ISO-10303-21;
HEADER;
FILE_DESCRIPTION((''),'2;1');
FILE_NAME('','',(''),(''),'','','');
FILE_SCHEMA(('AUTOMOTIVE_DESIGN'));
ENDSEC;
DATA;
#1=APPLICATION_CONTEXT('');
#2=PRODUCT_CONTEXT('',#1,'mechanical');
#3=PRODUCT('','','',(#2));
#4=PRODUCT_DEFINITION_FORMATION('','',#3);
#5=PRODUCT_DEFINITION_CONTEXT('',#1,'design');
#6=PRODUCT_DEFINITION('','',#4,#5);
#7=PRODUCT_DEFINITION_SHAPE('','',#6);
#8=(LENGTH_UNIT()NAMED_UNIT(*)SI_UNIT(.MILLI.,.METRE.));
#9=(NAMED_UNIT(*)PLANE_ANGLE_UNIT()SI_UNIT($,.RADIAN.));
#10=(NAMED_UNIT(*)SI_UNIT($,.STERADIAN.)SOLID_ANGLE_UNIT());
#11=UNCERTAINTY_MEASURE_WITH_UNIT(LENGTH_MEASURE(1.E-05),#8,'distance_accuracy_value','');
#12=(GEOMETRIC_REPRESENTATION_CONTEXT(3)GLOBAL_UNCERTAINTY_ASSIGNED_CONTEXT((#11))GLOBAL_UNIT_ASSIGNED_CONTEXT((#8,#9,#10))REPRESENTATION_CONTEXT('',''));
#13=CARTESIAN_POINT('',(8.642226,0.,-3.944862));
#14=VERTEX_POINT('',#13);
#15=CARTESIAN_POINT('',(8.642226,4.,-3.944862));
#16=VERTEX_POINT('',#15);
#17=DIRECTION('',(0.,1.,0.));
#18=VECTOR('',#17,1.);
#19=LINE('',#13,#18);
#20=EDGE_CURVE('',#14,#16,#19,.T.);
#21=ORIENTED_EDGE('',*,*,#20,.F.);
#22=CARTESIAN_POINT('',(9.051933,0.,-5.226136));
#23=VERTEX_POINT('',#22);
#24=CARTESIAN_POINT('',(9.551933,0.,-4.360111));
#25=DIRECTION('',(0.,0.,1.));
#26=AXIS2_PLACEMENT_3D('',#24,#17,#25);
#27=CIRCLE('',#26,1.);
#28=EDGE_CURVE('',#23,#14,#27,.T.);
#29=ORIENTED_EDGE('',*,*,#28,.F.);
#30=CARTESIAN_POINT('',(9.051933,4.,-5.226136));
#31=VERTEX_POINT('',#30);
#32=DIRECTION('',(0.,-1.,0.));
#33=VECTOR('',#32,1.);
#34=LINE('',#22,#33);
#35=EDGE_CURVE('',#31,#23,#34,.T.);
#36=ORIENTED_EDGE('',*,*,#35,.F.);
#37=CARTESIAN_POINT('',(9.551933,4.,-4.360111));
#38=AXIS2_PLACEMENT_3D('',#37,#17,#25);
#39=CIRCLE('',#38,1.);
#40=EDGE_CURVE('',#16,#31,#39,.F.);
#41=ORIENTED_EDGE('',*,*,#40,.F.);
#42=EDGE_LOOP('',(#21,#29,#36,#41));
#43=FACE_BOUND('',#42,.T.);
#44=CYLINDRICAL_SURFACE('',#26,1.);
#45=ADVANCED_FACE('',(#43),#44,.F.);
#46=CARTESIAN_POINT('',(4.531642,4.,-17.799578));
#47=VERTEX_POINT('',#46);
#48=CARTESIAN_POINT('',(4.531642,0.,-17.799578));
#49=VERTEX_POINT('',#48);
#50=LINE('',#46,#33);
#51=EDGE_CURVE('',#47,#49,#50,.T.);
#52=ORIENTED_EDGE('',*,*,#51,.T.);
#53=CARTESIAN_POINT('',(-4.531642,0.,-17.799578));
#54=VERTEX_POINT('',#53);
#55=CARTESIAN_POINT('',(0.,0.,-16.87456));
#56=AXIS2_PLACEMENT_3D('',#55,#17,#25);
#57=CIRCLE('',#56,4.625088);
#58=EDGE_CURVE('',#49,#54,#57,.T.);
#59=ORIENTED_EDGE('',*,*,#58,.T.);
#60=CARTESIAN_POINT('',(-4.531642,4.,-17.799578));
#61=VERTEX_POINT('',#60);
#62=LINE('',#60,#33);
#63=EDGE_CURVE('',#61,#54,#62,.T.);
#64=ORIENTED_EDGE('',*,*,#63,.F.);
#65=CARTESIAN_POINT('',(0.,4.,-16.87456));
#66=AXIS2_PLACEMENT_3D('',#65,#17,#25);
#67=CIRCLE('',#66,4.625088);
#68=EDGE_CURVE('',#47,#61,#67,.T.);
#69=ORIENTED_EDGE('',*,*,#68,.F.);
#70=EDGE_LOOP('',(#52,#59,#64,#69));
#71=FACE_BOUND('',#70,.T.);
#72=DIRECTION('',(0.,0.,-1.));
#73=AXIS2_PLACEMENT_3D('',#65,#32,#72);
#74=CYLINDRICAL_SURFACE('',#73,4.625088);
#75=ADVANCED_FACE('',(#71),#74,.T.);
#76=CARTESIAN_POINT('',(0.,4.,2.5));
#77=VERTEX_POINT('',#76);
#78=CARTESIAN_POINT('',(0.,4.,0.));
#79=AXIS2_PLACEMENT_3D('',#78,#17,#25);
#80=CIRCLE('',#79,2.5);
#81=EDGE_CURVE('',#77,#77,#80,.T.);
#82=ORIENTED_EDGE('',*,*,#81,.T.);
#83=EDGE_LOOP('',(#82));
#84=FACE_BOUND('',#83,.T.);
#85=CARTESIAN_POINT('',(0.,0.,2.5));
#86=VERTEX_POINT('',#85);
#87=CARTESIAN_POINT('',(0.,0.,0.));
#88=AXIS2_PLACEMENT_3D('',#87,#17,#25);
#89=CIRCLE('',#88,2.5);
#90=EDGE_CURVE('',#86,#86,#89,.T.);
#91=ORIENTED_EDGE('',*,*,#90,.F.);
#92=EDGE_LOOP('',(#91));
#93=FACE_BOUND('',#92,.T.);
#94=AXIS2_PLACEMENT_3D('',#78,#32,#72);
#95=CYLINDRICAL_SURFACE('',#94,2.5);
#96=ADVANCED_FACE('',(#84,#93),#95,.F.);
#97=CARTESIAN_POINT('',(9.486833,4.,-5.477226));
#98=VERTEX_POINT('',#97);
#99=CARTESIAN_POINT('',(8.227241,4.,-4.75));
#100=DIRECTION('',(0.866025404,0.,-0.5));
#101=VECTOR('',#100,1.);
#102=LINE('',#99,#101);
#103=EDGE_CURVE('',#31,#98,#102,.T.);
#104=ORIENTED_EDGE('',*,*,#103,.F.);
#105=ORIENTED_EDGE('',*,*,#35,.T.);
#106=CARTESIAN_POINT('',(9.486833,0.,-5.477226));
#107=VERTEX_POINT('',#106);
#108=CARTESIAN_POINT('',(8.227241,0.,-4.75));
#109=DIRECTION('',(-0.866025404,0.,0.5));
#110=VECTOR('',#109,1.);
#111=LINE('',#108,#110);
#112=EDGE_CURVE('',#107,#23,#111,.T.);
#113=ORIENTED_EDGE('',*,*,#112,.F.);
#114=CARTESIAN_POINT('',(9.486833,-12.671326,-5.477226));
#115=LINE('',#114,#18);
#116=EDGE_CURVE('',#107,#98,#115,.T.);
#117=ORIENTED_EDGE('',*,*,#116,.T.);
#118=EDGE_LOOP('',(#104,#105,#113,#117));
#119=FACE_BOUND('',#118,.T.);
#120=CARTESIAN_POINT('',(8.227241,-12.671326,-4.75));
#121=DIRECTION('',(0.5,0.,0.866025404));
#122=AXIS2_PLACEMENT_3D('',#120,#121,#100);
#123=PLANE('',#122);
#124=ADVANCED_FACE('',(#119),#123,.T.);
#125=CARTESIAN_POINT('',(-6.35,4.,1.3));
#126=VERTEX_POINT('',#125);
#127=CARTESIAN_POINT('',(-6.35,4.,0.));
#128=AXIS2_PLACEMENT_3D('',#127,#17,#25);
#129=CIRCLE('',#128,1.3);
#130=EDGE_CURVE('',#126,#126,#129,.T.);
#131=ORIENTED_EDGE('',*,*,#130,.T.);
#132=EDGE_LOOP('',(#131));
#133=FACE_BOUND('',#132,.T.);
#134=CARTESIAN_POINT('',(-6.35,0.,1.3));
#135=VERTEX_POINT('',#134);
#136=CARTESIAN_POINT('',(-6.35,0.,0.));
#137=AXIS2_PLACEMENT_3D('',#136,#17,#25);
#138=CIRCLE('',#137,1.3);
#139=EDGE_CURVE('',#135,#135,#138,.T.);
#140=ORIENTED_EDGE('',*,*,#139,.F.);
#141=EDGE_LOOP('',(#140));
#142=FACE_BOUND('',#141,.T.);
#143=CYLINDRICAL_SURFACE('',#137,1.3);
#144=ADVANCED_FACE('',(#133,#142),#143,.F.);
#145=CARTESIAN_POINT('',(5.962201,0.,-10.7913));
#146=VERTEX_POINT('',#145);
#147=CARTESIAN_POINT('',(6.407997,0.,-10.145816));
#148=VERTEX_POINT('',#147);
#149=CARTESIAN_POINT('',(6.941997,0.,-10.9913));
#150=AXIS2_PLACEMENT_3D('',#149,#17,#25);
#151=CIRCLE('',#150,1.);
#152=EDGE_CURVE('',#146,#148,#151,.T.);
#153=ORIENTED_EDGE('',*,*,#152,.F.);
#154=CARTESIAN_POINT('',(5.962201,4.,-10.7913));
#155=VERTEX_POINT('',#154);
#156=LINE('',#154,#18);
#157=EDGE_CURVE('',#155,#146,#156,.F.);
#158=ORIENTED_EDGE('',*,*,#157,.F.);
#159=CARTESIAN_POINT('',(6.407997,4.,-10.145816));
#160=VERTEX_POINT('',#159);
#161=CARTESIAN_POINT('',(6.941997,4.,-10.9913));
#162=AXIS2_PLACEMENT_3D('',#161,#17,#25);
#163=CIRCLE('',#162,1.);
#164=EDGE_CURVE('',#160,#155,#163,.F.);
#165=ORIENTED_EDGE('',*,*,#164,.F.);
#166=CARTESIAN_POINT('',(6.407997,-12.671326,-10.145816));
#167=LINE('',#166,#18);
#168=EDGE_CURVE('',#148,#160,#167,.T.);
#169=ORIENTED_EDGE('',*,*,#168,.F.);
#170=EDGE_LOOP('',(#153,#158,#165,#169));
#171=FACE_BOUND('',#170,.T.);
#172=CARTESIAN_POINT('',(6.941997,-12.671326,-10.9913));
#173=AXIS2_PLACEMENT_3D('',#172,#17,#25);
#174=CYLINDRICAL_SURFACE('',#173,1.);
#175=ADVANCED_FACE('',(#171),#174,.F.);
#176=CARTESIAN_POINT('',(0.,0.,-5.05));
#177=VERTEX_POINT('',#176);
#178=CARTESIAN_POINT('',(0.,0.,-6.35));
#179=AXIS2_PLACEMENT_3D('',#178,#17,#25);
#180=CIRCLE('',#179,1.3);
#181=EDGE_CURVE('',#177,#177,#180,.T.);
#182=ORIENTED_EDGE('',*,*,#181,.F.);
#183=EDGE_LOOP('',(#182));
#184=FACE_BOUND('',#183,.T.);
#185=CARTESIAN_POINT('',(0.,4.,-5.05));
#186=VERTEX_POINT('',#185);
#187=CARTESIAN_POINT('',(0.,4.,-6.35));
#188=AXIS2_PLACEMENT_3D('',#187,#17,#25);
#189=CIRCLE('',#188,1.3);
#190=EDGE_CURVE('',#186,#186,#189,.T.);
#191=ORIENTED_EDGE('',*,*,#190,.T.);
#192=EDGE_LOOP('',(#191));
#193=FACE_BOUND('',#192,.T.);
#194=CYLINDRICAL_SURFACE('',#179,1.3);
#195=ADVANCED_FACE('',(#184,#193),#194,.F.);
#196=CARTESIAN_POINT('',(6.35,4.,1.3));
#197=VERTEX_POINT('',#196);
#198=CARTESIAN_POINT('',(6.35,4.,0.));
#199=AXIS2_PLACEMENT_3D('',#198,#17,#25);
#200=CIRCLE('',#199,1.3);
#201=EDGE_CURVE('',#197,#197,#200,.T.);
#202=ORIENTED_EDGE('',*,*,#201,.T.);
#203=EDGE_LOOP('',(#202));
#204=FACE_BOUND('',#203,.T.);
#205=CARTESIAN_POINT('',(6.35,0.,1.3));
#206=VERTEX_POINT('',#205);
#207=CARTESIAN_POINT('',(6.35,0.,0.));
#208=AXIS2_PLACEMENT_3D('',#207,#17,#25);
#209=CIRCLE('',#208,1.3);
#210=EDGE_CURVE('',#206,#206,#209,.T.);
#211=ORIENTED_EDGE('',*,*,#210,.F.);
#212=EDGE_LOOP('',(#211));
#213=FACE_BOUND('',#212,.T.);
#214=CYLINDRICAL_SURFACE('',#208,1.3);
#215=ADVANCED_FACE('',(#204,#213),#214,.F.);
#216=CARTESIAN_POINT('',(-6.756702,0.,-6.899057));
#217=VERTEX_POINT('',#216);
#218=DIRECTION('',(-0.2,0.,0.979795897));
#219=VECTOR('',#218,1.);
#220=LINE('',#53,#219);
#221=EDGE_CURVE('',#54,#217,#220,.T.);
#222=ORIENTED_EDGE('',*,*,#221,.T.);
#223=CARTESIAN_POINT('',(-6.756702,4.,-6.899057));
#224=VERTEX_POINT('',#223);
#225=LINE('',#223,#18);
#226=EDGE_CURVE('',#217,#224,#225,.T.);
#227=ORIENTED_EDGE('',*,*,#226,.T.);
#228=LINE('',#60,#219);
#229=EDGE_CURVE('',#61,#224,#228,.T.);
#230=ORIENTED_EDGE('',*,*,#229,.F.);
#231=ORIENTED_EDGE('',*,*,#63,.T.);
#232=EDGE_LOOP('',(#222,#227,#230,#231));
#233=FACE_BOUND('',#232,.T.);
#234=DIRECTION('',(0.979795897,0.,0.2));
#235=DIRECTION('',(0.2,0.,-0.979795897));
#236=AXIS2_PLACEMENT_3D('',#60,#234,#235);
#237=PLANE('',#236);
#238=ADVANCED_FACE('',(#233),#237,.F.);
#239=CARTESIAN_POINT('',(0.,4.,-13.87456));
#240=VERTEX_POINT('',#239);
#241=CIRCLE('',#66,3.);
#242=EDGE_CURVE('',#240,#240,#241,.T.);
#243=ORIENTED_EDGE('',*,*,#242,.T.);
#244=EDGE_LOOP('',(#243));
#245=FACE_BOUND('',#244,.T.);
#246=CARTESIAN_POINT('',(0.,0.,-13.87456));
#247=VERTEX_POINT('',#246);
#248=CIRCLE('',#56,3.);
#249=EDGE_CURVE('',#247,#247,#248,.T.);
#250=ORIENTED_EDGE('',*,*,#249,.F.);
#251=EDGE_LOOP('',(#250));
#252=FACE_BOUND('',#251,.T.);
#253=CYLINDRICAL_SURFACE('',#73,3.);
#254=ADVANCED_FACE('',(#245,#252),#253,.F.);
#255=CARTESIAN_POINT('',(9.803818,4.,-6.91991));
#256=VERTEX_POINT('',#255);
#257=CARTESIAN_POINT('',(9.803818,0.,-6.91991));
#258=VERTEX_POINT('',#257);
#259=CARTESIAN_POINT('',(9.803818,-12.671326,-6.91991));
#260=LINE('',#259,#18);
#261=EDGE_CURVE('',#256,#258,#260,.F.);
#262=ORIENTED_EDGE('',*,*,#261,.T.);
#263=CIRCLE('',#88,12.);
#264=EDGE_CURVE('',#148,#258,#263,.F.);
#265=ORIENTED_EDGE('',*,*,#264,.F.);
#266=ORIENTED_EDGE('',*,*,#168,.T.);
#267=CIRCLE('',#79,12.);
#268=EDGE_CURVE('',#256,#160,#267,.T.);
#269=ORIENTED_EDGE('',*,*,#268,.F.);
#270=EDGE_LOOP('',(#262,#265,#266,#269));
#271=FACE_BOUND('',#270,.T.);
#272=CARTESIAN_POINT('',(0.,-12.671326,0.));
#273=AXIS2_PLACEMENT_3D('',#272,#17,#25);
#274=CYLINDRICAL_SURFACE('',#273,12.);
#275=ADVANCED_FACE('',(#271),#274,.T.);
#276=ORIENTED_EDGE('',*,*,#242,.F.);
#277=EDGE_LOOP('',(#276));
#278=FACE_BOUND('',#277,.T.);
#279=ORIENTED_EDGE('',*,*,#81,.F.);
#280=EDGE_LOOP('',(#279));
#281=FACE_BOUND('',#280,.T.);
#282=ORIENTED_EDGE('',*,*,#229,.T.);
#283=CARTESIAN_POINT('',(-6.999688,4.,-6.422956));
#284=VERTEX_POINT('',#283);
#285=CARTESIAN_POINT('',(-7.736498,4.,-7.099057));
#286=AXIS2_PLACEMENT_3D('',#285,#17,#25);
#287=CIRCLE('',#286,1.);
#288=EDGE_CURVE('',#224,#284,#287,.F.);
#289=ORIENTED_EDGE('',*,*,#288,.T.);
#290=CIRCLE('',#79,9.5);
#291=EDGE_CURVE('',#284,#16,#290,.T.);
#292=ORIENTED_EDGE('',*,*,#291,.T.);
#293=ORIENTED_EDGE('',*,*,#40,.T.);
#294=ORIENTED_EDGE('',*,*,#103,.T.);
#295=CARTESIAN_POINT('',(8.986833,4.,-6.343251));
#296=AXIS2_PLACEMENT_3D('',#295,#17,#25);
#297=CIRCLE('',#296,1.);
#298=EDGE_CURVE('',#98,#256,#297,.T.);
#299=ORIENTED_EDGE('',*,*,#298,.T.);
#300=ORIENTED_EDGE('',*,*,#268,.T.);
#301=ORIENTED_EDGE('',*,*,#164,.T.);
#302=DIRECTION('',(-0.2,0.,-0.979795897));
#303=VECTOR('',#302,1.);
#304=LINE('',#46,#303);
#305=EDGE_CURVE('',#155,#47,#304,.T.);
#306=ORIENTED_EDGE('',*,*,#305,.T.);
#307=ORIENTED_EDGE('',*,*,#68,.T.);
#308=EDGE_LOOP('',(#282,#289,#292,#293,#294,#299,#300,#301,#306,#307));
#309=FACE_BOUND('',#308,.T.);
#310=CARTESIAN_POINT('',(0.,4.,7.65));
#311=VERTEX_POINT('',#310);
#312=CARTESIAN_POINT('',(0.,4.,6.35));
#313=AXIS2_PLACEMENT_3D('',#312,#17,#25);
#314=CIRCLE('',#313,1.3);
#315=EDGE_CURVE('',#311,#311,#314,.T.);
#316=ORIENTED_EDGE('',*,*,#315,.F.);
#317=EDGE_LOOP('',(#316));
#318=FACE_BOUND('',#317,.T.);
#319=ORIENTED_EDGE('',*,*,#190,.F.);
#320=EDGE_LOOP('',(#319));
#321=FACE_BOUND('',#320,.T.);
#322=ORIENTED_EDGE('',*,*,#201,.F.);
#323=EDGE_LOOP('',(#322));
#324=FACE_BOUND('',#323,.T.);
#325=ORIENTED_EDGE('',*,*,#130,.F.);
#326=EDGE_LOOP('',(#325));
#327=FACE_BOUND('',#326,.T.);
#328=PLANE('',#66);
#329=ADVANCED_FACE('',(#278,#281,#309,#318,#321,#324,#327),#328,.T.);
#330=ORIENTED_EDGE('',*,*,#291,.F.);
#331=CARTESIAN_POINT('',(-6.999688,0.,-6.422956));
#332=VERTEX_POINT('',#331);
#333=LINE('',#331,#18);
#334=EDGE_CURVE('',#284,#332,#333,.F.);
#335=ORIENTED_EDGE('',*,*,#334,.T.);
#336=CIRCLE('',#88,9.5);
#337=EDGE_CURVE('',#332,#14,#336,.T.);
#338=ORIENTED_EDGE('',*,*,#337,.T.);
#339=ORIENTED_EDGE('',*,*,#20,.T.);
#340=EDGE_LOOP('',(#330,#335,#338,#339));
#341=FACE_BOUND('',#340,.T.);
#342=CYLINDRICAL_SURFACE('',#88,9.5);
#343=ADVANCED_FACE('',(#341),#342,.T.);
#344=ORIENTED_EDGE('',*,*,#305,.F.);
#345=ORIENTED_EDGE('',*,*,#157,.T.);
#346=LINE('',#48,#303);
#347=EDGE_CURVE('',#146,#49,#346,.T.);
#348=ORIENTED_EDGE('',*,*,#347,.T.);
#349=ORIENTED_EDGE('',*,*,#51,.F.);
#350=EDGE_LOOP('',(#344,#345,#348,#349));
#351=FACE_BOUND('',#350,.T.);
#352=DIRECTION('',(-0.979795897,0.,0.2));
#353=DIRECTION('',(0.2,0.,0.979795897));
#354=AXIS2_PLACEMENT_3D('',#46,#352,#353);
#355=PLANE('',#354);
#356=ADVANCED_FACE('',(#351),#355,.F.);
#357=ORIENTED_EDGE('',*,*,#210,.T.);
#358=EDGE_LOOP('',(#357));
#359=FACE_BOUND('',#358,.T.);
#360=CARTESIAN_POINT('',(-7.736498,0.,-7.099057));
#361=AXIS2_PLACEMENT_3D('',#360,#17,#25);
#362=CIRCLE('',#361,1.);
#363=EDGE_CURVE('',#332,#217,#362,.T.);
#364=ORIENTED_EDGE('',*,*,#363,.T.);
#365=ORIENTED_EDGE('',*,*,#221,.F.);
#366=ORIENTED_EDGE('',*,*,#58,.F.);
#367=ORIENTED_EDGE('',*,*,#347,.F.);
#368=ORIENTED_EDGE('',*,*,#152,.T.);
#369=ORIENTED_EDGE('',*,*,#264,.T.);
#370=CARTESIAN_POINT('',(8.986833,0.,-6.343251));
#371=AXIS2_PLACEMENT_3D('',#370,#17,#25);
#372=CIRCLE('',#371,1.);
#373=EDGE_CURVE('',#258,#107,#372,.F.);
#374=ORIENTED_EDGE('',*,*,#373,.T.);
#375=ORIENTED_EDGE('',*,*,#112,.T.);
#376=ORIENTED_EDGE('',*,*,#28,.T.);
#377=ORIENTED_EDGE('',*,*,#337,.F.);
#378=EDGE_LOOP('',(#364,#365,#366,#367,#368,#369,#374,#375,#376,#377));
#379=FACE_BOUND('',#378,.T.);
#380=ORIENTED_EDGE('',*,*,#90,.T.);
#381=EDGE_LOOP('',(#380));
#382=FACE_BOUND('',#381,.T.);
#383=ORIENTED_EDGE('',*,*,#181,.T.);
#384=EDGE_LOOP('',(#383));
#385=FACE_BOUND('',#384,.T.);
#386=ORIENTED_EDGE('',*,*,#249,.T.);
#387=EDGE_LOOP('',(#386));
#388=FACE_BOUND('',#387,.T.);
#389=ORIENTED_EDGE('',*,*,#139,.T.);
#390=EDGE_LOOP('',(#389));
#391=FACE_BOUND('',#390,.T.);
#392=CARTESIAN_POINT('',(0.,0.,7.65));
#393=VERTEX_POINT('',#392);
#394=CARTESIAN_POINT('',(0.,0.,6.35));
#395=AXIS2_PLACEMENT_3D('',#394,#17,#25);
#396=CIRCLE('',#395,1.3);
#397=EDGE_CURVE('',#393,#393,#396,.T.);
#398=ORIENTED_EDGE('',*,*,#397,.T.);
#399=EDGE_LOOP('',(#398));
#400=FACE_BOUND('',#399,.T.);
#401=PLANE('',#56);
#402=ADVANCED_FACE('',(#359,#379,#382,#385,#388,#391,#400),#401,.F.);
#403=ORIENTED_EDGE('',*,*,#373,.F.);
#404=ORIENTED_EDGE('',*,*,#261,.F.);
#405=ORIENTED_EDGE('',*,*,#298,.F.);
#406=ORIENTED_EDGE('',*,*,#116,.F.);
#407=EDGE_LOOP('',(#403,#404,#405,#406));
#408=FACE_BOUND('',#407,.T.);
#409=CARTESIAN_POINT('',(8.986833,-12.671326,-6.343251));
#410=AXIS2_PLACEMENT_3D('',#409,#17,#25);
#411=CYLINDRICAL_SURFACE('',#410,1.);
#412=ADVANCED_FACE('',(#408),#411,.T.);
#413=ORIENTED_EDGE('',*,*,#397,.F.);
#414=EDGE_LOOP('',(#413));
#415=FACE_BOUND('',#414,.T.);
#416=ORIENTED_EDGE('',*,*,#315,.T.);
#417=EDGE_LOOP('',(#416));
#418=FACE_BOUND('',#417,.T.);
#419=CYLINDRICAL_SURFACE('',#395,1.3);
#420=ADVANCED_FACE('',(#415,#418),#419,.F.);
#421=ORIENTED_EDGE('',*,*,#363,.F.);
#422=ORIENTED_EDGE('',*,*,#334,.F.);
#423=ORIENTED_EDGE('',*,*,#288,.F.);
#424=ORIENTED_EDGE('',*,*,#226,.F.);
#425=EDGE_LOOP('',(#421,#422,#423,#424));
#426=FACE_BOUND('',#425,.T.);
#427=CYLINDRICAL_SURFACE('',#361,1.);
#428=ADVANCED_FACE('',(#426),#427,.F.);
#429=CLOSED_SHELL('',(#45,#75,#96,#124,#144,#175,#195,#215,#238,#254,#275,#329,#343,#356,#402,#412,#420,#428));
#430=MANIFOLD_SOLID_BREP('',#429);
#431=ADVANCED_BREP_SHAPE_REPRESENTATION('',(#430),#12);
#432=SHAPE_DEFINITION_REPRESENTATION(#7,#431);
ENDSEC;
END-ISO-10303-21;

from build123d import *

# Parameters (mm, degrees)
SKETCH1_R           = 3
SKETCH1_R_2         = 2.5
BOSS_EXTRUDE1_DEPTH = 4
SKETCH2_R           = 1.3
CUT_EXTRUDE1_DEPTH  = 4
BOSS_EXTRUDE2_START = -4
BOSS_EXTRUDE2_DEPTH = 4
BOSS_EXTRUDE3_START = -4
BOSS_EXTRUDE3_DEPTH = 4
FILLET1_R           = 1


with BuildPart() as part:
    # Sketch1 → Boss-Extrude1 (new body)
    with BuildSketch(Plane(origin=(0, 0, 0), x_dir=(1, 0, 0), z_dir=(0, 1, 0))):
        with BuildLine():
            Line((-4.531642246, 17.7995776), (-7.838367177, 1.6))
            ThreePointArc((-7.838367177, 1.6), (0, -8), (7.838367177, 1.6))
            Line((7.838367177, 1.6), (4.531642246, 17.7995776))
            ThreePointArc((4.531642246, 17.7995776), (0, 21.499648), (-4.531642246, 17.7995776))
        make_face()
        with Locations(Location((0, 16.87456, 0), (0, 0, 270))):
            Circle(SKETCH1_R, mode=Mode.SUBTRACT)
        with Locations(Location((0, 0, 0), (0, 0, 270))):
            Circle(SKETCH1_R_2, mode=Mode.SUBTRACT)
    extrude(amount=BOSS_EXTRUDE1_DEPTH)

    # Sketch2 → Cut-Extrude1 (cut)
    with BuildSketch(Plane(origin=(0, 4, 0), x_dir=(1, 0, 0), z_dir=(0, 1, 0))):
        with Locations(Location((0, 6.35, 0), (0, 0, 270))):
            Circle(SKETCH2_R)
        with Locations(Location((6.35, 0, 0), (0, 0, 270))):
            Circle(SKETCH2_R)
        with Locations(Location((0, -6.35, 0), (0, 0, 270))):
            Circle(SKETCH2_R)
        with Locations(Location((-6.35, 0, 0), (0, 0, 270))):
            Circle(SKETCH2_R)
    extrude(amount=-CUT_EXTRUDE1_DEPTH, mode=Mode.SUBTRACT)

    # Sketch3 → Boss-Extrude2 (add)
    with BuildSketch(Plane(origin=(0, 4, 0), x_dir=(1, 0, 0), z_dir=(0, 1, 0)).offset(BOSS_EXTRUDE2_START)):
        with BuildLine():
            Line((-7.838367177, 1.6), (-6.8136721, 6.619960159))
            ThreePointArc((-6.8136721, 6.619960159), (0, -9.5), (6.8136721, 6.619960159))
            Line((6.8136721, 6.619960159), (7.838367177, 1.6))
            ThreePointArc((7.838367177, 1.6), (0, -8), (-7.838367177, 1.6))
        make_face()
    extrude(amount=BOSS_EXTRUDE2_DEPTH)

    # Sketch4 → Boss-Extrude3 (add)
    with BuildSketch(Plane(origin=(0, 4, 0), x_dir=(1, 0, 0), z_dir=(0, 1, 0)).offset(BOSS_EXTRUDE3_START)):
        with BuildLine():
            Line((8.227241336, 4.75), (10.392304845, 6))
            ThreePointArc((10.392304845, 6), (6, 10.392304845), (0, 12))
            Line((0, 12), (0, 9.5))
            ThreePointArc((0, 9.5), (4.75, 8.227241336), (8.227241336, 4.75))
        make_face()
    extrude(amount=BOSS_EXTRUDE3_DEPTH)

    # Fillet1
    fillet1_edges = [part.edges().sort_by_distance(p)[0] for p in [
        (-6.8136721, 2, -6.619960159),
        (6.049512795, 2, -10.36356092),
        (8.227241336, 2, -4.75),
        (10.392304845, 2, -6),
    ]]
    fillet(fillet1_edges, radius=FILLET1_R)


solid = part.part
